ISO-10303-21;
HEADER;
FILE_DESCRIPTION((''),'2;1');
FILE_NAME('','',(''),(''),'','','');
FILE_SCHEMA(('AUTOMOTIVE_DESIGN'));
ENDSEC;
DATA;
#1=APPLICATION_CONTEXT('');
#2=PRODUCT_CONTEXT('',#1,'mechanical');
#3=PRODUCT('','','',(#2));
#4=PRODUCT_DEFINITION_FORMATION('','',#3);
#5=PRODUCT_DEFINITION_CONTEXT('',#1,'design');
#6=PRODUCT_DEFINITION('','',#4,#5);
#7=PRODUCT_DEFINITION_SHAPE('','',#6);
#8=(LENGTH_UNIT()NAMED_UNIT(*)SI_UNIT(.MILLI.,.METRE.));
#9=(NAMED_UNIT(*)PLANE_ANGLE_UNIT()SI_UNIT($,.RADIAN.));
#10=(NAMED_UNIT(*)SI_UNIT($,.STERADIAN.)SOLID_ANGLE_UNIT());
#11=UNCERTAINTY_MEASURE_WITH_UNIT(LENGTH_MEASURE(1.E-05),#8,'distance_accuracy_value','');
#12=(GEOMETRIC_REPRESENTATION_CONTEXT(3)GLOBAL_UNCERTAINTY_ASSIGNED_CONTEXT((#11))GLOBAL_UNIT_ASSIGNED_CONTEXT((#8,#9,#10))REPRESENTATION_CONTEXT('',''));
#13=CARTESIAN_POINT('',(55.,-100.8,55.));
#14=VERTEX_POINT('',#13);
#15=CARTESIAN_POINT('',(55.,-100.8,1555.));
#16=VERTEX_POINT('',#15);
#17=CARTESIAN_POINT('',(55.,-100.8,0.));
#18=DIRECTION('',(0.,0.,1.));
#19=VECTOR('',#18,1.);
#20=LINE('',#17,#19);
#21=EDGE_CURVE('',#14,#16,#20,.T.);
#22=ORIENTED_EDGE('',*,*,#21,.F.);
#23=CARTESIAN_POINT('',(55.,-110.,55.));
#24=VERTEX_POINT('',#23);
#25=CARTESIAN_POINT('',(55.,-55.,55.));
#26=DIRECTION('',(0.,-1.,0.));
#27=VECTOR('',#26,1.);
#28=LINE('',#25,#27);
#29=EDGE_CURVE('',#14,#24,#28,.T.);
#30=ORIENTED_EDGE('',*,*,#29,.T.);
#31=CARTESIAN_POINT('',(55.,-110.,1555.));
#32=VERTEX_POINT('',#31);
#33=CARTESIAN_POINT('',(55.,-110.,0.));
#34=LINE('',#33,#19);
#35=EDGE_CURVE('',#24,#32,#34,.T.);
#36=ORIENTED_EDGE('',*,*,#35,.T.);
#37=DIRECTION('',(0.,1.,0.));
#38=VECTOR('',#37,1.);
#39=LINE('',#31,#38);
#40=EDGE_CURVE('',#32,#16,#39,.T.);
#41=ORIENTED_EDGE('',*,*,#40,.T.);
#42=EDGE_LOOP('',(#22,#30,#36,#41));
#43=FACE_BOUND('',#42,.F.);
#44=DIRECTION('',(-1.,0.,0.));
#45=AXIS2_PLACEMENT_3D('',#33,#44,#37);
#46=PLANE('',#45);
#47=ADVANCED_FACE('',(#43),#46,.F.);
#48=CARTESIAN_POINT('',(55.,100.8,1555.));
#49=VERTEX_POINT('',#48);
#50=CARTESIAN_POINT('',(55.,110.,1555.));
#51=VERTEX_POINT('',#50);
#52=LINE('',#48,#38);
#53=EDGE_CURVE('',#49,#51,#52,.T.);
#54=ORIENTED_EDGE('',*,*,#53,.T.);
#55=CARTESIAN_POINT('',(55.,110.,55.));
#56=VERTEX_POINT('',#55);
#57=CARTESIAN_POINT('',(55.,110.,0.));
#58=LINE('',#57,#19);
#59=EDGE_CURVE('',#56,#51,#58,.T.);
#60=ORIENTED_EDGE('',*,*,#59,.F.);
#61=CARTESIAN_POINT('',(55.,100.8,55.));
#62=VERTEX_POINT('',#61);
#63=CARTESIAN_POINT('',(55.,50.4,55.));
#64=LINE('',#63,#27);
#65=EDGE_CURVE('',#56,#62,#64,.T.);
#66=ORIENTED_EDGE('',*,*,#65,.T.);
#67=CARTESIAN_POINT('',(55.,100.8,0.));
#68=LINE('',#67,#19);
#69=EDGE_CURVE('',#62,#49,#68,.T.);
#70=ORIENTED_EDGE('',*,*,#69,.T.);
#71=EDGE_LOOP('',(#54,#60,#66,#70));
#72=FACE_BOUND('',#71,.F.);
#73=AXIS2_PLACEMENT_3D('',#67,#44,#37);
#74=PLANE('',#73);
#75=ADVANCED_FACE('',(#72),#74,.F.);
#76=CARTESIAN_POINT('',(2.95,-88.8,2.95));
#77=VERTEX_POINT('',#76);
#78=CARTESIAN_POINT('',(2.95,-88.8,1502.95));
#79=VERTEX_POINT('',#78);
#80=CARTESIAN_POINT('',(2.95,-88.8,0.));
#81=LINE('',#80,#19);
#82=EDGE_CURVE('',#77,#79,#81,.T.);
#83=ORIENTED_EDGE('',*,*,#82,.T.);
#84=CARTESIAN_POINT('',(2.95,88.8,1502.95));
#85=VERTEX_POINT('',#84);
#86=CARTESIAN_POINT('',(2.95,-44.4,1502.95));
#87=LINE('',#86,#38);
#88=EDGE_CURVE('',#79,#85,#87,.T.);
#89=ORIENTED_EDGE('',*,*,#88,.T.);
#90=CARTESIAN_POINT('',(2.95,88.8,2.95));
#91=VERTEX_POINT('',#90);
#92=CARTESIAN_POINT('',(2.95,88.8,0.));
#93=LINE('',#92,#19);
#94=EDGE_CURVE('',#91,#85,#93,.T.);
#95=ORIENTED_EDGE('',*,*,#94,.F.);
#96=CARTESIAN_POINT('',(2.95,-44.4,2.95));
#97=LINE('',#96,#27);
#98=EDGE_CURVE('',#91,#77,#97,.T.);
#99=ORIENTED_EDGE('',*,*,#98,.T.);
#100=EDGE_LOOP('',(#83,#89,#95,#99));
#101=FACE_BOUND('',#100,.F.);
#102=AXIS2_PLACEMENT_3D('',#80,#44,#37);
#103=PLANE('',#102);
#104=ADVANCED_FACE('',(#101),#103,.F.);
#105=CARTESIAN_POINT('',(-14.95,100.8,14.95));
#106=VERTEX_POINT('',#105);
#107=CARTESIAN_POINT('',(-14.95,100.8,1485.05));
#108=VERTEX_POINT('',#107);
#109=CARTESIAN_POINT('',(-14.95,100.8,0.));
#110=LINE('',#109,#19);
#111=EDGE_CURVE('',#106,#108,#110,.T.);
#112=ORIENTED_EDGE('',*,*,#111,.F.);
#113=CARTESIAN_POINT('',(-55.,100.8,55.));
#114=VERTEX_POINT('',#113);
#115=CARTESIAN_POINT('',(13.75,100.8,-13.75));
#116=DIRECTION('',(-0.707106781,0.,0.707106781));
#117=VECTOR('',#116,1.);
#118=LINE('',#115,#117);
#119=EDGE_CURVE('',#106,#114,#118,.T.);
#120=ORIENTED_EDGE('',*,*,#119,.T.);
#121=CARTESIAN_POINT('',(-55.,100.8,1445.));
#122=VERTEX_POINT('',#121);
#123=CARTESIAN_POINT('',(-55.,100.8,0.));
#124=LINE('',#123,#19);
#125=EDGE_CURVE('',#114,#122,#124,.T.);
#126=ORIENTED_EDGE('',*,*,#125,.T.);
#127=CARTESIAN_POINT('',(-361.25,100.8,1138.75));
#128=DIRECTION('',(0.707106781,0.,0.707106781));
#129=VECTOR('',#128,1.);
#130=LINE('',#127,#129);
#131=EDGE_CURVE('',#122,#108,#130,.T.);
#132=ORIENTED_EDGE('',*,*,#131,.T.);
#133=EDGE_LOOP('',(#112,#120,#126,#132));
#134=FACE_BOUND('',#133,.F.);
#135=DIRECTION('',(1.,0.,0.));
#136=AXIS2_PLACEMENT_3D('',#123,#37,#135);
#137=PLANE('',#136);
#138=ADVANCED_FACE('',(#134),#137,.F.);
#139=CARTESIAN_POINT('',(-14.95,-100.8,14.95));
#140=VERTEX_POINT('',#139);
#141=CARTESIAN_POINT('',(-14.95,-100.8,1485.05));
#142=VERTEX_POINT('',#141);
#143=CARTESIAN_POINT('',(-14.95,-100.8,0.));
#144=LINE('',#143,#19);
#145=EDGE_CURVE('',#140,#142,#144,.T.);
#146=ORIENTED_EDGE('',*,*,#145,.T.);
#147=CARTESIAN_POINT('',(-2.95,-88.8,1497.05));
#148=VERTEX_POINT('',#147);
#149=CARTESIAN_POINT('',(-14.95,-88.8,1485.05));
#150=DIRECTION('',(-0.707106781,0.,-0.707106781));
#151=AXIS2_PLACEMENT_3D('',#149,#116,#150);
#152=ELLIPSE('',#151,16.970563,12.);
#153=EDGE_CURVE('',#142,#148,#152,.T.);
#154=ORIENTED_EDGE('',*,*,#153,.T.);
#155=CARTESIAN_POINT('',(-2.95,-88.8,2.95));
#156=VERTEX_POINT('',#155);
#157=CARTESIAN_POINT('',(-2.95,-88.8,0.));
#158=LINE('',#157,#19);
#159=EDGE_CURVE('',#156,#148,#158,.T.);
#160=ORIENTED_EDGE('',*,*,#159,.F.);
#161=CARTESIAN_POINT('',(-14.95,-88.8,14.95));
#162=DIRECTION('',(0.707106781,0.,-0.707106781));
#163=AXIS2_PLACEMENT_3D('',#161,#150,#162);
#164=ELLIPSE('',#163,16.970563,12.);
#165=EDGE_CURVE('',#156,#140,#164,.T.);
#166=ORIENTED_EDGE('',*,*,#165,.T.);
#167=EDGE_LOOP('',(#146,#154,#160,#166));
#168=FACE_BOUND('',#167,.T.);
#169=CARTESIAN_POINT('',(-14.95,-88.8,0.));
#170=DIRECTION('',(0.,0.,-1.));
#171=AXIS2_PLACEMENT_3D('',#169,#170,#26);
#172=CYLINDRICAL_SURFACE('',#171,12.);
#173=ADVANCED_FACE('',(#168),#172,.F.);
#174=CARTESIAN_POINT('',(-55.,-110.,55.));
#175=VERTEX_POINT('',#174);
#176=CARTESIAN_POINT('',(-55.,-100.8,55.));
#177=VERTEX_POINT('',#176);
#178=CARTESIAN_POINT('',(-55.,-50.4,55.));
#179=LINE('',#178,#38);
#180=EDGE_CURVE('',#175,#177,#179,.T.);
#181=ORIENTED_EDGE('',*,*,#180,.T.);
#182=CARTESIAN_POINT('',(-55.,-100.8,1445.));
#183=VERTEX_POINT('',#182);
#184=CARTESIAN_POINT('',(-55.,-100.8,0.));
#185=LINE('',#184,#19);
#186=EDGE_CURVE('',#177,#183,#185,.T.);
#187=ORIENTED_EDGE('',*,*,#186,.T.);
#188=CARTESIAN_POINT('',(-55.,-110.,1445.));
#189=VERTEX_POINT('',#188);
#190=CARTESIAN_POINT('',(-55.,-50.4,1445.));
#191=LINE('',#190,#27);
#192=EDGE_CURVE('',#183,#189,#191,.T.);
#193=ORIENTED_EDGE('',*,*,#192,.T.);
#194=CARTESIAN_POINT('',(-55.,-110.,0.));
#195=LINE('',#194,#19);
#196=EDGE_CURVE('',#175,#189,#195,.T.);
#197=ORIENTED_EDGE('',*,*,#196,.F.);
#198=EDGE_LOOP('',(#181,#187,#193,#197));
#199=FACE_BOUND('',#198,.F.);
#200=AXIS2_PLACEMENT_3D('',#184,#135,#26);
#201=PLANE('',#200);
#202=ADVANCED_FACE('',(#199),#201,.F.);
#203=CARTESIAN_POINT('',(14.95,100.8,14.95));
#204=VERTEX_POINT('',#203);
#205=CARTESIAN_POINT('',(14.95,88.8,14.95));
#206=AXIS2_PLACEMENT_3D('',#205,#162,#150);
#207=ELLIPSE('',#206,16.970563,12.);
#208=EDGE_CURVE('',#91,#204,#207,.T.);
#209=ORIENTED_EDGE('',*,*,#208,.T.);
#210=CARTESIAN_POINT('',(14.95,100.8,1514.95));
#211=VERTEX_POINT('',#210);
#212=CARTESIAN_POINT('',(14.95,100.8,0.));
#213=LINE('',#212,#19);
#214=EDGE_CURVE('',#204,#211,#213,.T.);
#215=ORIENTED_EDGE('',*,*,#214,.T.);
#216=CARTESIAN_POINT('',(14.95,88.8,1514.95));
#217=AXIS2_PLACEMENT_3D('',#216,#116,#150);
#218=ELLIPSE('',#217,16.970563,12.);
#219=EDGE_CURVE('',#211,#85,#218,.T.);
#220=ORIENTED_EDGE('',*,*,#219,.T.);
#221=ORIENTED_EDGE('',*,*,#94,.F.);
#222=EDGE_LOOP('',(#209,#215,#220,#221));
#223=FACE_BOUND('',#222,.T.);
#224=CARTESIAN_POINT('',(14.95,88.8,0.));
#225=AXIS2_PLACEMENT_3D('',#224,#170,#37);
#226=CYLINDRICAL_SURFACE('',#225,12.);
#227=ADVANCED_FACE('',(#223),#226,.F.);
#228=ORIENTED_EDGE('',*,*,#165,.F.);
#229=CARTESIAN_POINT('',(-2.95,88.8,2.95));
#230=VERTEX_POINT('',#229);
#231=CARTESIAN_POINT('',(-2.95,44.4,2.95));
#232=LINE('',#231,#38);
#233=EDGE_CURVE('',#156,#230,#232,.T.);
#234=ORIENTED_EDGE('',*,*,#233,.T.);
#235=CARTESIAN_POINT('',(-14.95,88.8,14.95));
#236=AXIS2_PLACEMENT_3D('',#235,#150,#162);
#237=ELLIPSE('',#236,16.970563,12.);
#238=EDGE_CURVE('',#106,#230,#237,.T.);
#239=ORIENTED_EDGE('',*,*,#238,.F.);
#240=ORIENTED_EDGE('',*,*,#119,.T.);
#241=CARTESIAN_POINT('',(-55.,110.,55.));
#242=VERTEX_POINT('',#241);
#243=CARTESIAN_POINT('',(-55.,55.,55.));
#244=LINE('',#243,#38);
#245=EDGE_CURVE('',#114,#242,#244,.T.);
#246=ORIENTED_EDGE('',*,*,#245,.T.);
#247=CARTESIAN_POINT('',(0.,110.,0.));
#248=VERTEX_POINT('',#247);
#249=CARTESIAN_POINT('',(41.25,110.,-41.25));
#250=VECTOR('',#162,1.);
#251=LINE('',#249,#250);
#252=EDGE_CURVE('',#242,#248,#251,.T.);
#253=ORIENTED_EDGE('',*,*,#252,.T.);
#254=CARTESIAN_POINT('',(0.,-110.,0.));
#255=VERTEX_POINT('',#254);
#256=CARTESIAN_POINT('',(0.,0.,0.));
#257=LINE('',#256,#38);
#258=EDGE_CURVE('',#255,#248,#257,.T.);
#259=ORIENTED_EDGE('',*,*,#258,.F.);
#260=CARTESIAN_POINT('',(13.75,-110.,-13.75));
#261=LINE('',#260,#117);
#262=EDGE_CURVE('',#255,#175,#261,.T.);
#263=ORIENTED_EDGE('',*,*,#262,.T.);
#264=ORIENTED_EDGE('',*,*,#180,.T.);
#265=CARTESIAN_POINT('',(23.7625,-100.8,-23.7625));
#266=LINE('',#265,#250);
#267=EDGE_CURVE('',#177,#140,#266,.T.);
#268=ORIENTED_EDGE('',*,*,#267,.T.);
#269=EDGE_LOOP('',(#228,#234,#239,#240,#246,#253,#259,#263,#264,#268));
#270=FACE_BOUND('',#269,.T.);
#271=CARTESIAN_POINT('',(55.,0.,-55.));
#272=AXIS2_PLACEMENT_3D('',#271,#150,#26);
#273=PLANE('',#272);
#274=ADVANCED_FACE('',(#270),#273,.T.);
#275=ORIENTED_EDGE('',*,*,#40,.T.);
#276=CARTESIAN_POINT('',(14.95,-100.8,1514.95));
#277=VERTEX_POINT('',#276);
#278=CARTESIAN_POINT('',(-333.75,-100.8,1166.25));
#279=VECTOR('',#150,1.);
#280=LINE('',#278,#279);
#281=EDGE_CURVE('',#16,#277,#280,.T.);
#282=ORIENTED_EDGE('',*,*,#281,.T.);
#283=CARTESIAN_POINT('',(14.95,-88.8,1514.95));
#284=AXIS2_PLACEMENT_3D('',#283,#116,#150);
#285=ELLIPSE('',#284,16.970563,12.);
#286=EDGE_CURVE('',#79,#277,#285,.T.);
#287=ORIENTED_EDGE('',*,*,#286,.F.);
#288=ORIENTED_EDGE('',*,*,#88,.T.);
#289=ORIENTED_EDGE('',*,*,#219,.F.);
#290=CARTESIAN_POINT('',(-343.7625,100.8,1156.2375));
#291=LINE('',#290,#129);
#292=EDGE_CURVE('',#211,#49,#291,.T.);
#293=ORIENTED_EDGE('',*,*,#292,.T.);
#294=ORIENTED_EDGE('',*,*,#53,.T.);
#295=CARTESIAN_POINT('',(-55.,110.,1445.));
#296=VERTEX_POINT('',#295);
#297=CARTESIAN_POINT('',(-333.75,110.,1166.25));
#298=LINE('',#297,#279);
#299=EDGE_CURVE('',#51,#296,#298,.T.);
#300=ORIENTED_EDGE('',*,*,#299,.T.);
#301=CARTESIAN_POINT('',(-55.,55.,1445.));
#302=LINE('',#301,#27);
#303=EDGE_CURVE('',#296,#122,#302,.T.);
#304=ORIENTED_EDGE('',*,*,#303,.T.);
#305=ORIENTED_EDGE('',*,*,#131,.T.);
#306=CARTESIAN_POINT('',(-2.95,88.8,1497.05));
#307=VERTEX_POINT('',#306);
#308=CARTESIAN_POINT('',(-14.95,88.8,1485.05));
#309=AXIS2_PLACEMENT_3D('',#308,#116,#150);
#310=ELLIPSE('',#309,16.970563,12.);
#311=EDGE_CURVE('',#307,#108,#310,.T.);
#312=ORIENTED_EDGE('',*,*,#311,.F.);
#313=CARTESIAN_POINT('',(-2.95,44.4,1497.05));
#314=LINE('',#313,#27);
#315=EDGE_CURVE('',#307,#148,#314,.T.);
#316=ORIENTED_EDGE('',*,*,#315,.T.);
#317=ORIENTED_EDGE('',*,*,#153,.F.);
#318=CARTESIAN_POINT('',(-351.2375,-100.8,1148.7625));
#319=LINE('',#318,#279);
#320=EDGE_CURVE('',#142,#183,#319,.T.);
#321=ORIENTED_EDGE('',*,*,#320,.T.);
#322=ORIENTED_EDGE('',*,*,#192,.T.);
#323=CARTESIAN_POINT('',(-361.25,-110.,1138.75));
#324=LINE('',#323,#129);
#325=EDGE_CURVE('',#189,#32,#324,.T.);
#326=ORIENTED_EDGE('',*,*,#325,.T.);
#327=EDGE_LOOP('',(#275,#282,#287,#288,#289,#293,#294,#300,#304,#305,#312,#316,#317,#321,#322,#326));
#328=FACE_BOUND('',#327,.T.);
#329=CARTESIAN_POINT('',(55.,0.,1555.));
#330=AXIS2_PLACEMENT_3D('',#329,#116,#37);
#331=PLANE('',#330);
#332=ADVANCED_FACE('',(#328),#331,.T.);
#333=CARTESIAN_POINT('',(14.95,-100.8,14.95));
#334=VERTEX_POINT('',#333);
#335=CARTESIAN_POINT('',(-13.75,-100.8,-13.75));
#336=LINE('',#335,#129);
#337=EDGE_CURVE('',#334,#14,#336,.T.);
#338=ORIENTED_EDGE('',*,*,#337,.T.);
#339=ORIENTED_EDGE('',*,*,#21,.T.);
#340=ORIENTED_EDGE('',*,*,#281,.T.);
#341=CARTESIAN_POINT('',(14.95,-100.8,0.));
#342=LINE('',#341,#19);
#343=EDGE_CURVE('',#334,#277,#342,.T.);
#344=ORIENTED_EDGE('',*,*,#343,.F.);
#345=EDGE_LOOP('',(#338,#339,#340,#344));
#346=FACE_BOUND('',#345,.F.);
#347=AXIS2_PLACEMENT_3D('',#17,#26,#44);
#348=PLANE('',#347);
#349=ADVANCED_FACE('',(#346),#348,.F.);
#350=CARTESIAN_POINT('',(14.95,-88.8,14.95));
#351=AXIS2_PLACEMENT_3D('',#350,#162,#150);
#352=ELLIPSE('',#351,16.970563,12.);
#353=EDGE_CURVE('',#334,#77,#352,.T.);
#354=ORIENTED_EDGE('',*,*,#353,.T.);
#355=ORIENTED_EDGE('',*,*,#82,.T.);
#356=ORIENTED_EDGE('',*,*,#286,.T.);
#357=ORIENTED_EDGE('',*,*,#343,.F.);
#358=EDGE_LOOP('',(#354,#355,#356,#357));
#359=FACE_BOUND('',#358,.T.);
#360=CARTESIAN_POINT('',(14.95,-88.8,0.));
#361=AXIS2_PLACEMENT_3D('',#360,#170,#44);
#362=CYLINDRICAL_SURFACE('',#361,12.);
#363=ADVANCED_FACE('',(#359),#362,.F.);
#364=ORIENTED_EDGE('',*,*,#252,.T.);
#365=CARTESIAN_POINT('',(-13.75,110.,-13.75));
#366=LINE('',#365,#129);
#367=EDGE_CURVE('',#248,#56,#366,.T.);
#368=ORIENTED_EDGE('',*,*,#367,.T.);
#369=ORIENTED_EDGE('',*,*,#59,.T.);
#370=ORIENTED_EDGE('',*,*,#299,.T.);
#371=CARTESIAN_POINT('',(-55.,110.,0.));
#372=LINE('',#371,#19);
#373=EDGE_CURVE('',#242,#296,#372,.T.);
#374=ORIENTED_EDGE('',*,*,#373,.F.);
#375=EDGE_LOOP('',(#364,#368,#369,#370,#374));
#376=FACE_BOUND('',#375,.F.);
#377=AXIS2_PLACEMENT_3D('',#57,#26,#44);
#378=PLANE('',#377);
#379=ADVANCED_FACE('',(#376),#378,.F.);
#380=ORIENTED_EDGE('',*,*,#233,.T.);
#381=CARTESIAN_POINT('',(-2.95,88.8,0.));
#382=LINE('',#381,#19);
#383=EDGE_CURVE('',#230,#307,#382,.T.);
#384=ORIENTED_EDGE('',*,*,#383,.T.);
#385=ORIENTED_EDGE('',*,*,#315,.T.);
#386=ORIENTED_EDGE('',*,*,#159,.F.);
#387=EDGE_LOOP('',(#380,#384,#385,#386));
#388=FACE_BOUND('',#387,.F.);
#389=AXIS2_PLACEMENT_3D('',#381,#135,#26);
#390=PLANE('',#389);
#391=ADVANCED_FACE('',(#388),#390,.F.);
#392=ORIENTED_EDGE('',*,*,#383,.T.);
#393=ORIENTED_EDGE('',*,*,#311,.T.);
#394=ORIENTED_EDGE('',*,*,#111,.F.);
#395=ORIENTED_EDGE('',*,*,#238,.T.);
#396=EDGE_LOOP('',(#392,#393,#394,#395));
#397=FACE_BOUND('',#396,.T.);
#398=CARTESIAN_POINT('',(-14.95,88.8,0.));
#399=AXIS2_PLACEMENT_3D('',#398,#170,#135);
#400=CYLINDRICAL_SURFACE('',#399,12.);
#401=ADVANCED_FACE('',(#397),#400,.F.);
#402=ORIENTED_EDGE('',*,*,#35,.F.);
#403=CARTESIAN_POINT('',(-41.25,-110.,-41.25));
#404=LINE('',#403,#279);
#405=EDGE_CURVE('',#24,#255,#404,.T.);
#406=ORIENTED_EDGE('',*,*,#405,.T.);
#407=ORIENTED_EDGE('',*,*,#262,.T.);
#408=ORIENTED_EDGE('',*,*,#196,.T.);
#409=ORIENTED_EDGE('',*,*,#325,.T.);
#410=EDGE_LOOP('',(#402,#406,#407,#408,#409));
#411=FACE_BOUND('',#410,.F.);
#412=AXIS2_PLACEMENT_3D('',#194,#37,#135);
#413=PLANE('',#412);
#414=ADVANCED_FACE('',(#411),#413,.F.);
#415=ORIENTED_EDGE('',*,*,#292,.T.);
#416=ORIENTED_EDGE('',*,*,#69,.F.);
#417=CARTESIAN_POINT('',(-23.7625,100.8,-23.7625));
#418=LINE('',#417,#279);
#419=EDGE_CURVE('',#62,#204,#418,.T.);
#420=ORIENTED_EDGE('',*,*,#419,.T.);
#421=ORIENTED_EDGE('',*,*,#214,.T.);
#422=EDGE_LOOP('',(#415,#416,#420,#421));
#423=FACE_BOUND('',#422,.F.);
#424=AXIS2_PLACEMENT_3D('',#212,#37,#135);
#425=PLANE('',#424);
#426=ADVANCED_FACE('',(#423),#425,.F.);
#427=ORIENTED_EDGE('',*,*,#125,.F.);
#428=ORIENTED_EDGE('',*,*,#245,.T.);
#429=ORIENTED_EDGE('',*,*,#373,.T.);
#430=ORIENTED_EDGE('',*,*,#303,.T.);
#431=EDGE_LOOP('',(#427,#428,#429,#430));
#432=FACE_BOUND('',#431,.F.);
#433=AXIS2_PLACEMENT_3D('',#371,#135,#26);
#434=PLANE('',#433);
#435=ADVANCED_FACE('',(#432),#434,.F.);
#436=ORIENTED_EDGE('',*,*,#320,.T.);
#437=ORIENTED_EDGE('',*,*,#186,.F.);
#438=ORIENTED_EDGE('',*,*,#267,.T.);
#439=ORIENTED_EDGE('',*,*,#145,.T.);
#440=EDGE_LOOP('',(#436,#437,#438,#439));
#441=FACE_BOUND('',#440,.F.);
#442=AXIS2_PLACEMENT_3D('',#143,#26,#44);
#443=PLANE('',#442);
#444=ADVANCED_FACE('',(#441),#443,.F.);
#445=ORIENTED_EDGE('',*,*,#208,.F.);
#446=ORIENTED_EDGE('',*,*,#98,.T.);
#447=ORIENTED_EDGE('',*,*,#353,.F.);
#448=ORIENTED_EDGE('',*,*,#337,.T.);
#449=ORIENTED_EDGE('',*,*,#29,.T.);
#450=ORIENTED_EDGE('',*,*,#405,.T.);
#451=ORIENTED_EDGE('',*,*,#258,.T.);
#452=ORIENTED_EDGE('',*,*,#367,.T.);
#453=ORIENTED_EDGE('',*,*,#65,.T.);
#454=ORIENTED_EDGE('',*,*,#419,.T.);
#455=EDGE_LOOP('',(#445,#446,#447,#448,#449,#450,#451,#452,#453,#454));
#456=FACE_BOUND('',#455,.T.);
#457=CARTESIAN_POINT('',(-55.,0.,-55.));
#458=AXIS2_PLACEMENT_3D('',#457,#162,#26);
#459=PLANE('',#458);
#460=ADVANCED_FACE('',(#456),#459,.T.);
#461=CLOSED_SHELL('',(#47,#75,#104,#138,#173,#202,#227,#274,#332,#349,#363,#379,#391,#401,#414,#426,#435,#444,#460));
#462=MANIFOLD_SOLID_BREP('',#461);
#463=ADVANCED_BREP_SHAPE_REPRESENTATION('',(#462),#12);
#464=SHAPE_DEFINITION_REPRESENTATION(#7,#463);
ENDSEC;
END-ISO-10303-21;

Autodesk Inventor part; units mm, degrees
ref_plane "Start plane" through (0, 0, 0) normal (0, 0, 1) x (1, 0, 0)
ref_plane "End plane" through (0, 0, 1555) normal (0, 0, 1) x (1, 0, 0)
sketch "Sketch2" plane through (0, 0, 0) normal (0, 0, 1) x (1, 0, 0)
  line L0 (-55, 100.8) -> (-14.95, 100.8)
  line L1 (-55, 110) -> (-55, 100.8)
  line L2 (55, 110) -> (-55, 110)
  line L3 (55, 100.8) -> (55, 110)
  line L4 (14.95, 100.8) -> (55, 100.8)
  line L5 (2.95, -88.8) -> (2.95, 88.8)
  line L6 (55, -100.8) -> (14.95, -100.8)
  line L7 (55, -110) -> (55, -100.8)
  line L8 (-55, -100.8) -> (-55, -110)
  line L9 (-14.95, -100.8) -> (-55, -100.8)
  line L10 (-2.95, 88.8) -> (-2.95, -88.8)
  line L11 (0, -154) -> (0, 154) construction
  line L12 (-2.95, -100.8) -> (2.95, -100.8) construction
  arc A0 (-14.95, -100.8) -> (-2.95, -88.8) centre (-14.95, -88.8) ccw
  arc A1 (-2.95, 88.8) -> (-14.95, 100.8) centre (-14.95, 88.8) ccw
  arc A2 (14.95, 100.8) -> (2.95, 88.8) centre (14.95, 88.8) ccw
  arc A3 (2.95, -88.8) -> (14.95, -100.8) centre (14.95, -88.8) ccw
  line L13 (-77, 0) -> (77, 0) construction
  line L14 (-55, -110) -> (55, -110)
  point P0 (-2.95, 100.8)
  point P1 (2.95, 100.8)
  point P2 (0, 0)
  point P3 (0, -100.8)
  point P4 (0, 0)
  dimension "d1" = 220
  dimension "d3" = 9.2
  dimension "d5" = 5.9
  dimension "d7" = 110
  dimension "d13" = 12
  dimension "d14" = 110
  dimension "d15" = 55
extrude "Body" add sketch "Sketch2" along normal up to surface (1555 mm away) from surface at 0
sketch "Sketch3" plane through (0, 0, 0) normal (0, 0, 1) x (1, 0, 0)
  line L0 (0, 0) -> (10, 0)
ref_plane "Work Plane3" through (0, 0, 0) normal (0, -1, 0) x (1, 0, 0)
ref_plane "Work Plane4" through (-55, 0, -55) normal (0.7071, 0, -0.7071) x (-0.7071, 0, -0.7071)
split "Split1" plane through (-55, 0, -55) removes the side toward (0.7071, 0, -0.7071)
ref_plane "Work Plane5" through (55, 0, -55) normal (-0.7071, 0, -0.7071) x (-0.7071, 0, 0.7071)
split "Split2" plane through (55, 0, -55) removes the side toward (-0.7071, 0, -0.7071)
ref_plane "Work Plane6" through (55, 0, 1555) normal (-0.7071, 0, 0.7071) x (0.7071, 0, 0.7071)
split "Split3" plane through (55, 0, 1555) removes the side toward (-0.7071, 0, 0.7071)
sketch "Sketch4" plane through (0, 0, 0) normal (0, -1, 0) x (1, 0, 0)
  line L0 (-2, 0) -> (12, 0) projected
  line L1 (-2, 1555) -> (12, 1555) projected
  dimension "d19" = 1555
equation "\"d1\" = ParH"
equation "\"d3\" = t2"
equation "\"d5\" = t1"
equation "\"d7\" = b"
equation "\"d13\" = R1"
equation "\"d14\" = 0.5 * d1"
equation "\"d15\" = 0.5 * d7"
equation "\"d8\" = G_L"
equation "\"b\" = 110"
equation "\"ParH\" = 220"
equation "\"R1\" = 12"
equation "\"G_L\" = d19"
equation "\"t1\" = 5.9"
equation "\"t2\" = 9.2"
equation "\"G_OFFSET_START\" = 0"
equation "\"G_OFFSET_END\" = 55"
equation "\"d17\" = G_OFFSET_END + B_L"
equation "\"B_L\" = 1500"
properties part number "DIN 1025 - IPE 220-1555" material "Steel, Mild"
